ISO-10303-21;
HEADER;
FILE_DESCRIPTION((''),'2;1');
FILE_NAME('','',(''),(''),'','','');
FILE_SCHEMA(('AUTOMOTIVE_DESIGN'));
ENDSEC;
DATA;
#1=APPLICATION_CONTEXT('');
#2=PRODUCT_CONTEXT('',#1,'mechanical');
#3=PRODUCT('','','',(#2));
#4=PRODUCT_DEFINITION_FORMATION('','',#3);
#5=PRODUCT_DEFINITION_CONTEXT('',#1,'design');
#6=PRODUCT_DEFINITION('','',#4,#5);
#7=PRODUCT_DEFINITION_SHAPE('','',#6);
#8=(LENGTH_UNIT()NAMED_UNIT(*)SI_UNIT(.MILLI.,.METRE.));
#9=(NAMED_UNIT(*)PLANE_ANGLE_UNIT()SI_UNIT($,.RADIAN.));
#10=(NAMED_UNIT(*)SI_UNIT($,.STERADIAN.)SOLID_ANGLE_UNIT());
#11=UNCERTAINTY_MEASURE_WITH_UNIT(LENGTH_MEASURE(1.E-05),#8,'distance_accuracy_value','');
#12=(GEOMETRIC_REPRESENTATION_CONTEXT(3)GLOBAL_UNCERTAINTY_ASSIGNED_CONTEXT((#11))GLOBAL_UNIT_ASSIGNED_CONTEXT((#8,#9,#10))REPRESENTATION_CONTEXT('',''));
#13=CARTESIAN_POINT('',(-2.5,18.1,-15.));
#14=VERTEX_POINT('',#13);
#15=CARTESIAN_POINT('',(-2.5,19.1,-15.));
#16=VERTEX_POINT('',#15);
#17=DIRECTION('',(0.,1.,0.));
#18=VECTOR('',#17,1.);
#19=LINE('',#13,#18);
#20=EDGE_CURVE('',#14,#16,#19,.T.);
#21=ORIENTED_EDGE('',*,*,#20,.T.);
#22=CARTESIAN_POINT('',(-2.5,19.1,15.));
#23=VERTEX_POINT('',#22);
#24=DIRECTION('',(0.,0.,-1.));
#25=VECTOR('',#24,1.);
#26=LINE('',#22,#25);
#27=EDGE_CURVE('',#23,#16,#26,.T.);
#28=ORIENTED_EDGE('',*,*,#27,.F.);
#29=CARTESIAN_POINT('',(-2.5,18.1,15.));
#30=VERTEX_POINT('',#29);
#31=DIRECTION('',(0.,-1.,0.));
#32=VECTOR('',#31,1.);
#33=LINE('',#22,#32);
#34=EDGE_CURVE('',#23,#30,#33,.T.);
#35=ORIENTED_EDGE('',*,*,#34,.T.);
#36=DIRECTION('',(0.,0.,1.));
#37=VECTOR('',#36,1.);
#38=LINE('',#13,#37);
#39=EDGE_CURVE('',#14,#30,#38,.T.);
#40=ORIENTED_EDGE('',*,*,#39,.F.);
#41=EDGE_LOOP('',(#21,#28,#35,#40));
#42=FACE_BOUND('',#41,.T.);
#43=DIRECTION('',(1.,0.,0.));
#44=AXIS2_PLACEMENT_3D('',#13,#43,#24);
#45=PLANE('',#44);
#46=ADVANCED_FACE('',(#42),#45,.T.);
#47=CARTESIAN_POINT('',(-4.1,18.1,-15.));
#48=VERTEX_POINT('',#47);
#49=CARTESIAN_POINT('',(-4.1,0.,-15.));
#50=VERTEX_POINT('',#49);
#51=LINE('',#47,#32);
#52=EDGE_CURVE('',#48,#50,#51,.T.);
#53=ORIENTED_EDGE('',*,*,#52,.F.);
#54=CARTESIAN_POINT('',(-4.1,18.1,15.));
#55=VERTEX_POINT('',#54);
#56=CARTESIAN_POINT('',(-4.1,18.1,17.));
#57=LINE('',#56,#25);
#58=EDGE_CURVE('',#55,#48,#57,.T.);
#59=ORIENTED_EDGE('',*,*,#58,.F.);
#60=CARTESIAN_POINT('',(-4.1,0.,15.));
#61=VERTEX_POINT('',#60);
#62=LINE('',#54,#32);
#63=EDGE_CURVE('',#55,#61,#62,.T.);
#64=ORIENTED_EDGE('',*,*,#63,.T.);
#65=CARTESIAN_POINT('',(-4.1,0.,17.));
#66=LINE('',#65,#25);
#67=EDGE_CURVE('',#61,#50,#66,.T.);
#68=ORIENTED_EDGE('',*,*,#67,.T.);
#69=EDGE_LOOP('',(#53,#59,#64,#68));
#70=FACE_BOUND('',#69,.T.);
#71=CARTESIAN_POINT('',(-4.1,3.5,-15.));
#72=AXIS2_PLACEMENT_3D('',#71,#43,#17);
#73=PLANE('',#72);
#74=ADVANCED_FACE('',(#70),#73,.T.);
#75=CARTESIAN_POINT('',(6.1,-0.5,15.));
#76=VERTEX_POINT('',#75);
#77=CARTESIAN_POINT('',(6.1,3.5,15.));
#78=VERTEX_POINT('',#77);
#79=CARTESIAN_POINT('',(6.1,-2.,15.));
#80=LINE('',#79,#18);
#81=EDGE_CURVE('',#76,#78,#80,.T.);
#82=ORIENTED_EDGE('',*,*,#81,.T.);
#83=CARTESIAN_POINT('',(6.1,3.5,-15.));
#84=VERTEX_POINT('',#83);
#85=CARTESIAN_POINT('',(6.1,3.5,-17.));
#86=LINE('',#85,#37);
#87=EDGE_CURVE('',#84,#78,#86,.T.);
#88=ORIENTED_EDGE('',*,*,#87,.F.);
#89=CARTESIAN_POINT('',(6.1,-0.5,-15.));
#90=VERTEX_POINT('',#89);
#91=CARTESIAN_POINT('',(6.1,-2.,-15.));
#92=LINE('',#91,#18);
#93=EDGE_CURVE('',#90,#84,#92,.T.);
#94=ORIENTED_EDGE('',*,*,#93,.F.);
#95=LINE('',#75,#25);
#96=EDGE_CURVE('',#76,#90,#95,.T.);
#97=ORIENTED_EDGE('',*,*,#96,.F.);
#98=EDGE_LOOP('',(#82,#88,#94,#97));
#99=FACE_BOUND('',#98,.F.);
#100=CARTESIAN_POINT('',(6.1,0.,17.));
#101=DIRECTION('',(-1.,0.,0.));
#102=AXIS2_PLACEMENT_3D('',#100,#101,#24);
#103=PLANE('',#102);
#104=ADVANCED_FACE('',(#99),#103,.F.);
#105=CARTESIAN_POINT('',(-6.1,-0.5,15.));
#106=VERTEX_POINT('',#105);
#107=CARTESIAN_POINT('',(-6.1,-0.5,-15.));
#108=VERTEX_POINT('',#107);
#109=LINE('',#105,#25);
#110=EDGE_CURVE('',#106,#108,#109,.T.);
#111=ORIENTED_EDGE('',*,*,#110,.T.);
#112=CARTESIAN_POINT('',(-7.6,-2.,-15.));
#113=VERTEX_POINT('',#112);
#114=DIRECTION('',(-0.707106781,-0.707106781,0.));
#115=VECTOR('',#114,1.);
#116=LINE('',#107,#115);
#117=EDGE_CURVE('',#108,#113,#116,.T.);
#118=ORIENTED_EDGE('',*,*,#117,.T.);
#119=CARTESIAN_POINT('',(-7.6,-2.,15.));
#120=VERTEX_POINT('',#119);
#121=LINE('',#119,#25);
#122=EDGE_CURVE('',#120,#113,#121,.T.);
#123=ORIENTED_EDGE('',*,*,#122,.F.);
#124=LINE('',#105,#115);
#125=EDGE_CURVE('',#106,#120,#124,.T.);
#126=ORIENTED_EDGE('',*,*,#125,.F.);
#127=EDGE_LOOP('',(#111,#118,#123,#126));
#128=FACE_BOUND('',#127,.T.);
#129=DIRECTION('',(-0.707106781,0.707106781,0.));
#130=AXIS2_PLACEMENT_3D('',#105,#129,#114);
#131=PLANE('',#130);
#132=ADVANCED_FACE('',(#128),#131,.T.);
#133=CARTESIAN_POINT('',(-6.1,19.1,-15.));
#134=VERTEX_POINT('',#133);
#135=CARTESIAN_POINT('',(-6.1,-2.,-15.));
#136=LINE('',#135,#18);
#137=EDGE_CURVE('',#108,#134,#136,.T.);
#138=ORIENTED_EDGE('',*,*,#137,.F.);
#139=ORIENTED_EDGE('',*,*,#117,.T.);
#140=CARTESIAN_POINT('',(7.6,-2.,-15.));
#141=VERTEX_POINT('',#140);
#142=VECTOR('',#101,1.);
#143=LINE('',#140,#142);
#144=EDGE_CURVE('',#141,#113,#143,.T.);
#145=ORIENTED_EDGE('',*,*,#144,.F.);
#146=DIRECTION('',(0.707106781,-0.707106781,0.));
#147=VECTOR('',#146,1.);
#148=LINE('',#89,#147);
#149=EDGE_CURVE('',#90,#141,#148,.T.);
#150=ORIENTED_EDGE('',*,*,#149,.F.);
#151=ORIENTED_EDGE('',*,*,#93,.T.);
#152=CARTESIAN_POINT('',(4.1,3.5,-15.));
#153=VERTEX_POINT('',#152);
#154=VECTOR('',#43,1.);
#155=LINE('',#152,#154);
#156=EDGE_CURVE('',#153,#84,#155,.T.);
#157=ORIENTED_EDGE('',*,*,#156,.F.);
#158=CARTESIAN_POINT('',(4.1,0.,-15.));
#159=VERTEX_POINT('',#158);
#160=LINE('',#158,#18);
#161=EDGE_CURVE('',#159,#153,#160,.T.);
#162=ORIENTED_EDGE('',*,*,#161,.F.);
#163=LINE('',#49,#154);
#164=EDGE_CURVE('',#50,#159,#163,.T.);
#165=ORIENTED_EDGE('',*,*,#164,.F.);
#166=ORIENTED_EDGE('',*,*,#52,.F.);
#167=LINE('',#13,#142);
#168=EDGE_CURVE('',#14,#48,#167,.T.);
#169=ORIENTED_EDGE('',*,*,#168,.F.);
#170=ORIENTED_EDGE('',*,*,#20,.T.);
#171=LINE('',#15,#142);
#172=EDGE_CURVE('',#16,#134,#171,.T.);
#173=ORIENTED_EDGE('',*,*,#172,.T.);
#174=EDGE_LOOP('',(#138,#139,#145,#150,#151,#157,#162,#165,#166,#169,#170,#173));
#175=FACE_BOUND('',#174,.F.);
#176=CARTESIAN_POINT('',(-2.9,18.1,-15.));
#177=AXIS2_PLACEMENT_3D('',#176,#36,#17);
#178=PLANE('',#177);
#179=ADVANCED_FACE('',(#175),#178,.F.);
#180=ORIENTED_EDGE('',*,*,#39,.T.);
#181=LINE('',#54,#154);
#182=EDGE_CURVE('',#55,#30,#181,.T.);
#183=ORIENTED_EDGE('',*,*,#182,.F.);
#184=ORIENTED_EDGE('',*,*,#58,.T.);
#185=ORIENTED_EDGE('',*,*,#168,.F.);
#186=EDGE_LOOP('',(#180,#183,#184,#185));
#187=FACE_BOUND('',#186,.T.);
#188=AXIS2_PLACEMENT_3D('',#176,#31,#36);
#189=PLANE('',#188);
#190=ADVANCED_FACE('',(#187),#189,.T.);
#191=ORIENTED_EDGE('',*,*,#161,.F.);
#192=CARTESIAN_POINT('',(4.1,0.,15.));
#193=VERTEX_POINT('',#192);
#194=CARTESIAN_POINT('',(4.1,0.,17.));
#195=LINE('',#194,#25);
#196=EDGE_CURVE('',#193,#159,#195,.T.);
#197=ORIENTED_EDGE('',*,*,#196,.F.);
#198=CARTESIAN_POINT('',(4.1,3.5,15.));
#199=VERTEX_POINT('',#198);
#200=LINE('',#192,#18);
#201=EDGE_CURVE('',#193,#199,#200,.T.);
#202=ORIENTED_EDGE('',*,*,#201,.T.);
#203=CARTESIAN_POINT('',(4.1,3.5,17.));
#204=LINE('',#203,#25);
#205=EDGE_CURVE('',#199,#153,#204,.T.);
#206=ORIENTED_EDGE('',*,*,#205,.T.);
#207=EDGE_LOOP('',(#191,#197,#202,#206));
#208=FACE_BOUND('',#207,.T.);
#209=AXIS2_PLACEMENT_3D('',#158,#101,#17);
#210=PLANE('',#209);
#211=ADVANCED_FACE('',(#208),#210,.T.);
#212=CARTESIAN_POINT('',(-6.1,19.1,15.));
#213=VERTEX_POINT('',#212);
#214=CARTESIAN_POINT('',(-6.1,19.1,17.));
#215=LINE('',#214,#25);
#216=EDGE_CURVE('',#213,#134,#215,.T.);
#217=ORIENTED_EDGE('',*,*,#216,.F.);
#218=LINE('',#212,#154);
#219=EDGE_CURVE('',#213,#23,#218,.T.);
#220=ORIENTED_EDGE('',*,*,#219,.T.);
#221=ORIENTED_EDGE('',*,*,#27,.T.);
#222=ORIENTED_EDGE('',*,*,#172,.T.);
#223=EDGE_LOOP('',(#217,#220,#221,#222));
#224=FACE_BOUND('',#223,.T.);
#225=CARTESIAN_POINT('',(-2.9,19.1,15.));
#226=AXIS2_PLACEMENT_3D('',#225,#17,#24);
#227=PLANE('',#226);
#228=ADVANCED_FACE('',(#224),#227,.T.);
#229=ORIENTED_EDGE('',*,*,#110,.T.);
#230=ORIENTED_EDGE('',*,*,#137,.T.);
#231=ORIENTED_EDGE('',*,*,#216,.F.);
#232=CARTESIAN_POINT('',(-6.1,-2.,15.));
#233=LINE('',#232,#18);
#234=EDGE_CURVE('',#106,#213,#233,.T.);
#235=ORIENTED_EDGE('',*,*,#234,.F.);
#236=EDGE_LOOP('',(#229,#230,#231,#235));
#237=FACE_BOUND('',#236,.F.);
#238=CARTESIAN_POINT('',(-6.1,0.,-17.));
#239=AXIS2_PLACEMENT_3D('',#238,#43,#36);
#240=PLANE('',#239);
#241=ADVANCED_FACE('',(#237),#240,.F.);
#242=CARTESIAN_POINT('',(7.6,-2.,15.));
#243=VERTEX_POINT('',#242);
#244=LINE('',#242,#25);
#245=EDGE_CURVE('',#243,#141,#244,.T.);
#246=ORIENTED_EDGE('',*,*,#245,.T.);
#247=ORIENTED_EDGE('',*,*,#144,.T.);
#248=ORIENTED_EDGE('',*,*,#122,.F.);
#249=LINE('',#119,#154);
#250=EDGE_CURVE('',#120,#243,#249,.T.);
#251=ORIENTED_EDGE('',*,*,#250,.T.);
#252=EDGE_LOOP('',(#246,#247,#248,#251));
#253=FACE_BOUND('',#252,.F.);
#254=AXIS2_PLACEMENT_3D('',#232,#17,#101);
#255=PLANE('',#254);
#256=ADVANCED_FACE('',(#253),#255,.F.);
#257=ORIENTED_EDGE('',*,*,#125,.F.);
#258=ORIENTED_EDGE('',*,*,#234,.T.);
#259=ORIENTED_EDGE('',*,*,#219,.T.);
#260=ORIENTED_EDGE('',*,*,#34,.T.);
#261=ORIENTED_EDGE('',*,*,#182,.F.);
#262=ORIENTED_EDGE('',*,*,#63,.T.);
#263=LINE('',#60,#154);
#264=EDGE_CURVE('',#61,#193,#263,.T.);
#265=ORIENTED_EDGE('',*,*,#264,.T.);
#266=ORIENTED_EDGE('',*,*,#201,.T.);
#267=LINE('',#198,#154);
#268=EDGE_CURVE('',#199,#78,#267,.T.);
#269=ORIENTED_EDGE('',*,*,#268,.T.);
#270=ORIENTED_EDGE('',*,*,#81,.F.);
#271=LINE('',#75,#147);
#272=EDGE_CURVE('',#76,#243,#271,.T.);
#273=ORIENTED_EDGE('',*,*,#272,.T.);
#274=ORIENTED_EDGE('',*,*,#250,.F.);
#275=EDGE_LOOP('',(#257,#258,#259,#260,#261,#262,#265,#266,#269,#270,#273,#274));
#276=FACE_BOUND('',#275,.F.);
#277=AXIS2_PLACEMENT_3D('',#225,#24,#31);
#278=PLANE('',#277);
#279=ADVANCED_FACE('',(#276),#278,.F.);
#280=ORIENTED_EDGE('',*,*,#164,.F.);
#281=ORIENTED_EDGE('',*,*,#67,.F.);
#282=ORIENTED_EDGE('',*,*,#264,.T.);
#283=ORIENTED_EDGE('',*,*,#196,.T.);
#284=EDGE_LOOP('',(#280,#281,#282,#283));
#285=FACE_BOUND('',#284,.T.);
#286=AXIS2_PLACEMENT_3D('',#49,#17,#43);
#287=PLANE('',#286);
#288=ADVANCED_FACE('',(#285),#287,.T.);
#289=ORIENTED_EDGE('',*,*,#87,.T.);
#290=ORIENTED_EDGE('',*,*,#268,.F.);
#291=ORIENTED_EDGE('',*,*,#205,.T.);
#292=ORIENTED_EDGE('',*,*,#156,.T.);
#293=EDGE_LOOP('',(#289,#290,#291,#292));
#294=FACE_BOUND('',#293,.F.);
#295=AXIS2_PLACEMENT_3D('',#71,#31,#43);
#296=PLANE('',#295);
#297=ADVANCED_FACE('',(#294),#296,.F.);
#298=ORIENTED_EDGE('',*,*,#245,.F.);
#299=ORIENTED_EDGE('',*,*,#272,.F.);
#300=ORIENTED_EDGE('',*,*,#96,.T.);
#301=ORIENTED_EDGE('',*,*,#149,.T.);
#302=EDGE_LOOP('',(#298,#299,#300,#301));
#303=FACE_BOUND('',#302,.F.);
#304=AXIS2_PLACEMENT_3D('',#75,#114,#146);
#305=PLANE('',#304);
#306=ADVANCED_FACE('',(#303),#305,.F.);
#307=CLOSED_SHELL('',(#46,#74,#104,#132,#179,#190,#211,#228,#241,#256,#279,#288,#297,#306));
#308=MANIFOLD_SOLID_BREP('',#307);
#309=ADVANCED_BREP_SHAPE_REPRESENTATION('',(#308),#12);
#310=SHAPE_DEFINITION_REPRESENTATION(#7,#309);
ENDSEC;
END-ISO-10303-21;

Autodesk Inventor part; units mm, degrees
ref_plane "YZ Plane" through (0, 0, 0) normal (1, 0, 0) x (0, 1, 0)
ref_plane "XZ Plane" through (0, 0, 0) normal (0, 1, 0) x (-1, 0, 0)
ref_plane "XY Plane" through (0, 0, 0) normal (0, 0, 1) x (1, 0, 0)
sketch "Skizze1" plane through (0, 0, 0) normal (0, 1, 0) x (-1, 0, 0)
  line L0 (4.1, 15) -> (-4.1, 15)
  line L1 (-4.1, 15) -> (-4.1, -15)
  line L2 (-4.1, -15) -> (4.1, -15)
  line L3 (4.1, -15) -> (4.1, 15)
  line L4 (4.1, 15) -> (-4.1, -15) construction
  line L5 (-4.1, 15) -> (4.1, -15) construction
  line L6 (6.1, 17) -> (-6.1, 17)
  line L7 (-6.1, 17) -> (-6.1, -17)
  line L8 (-6.1, -17) -> (6.1, -17)
  line L9 (6.1, -17) -> (6.1, 17)
  line L10 (6.1, 17) -> (-6.1, -17) construction
  line L11 (-6.1, 17) -> (6.1, -17) construction
  point P0 (0, 0)
  dimension "d0" = 8.2
  dimension "d1" = 30
  dimension "d2" = 12.2
  dimension "d3" = 34
extrude "Extrusion1" add sketch "Skizze1" along normal blind 18.1
sketch "Skizze2" plane through (0, 0, 0) normal (0, -1, 0) x (1, 0, 0)
  line L0 (6.1, 17) -> (6.1, -17) projected
  line L1 (-6.1, 17) -> (6.1, 17) projected
  line L2 (-6.1, -17) -> (-6.1, 17) projected
  line L3 (6.1, -17) -> (-6.1, -17) projected
  line L4 (-4.1, 15) -> (-4.1, -15) projected
  line L5 (4.1, 15) -> (-4.1, 15) projected
  line L6 (4.1, -15) -> (4.1, 15) projected
  line L7 (-4.1, -15) -> (4.1, -15) projected
  point P0 (0, 0)
extrude "Extrusion2" add sketch "Skizze2" along normal blind 2 contours L0 L3 L2 L1 | L5 L6 L7 L4
sketch "Skizze3" plane through (6.1, 18.1, 17) normal (1, 0, 0) x (0, 0, -1)
  line L0 (2, -18.1) -> (32, -18.1) projected
  line L1 (32, -18.1) -> (32, 0) projected
  line L2 (2, 0) -> (32, 0) projected
  line L3 (2, -18.1) -> (2, 0) projected
  line L4 (32, -18.1) -> (32, 0) projected
  line L5 (2, -18.1) -> (32, -18.1)
  line L6 (32, -18.1) -> (32, -14.6)
  line L7 (32, -14.6) -> (2, -14.6)
  line L8 (2, -14.6) -> (2, -18.1)
  point P0 (17, -18.1)
  point P1 (2, -14.6)
  dimension "d8" = 3.5
extrude "Extrusion3" cut sketch "Skizze3" against normal up to surface (2 mm away) contours L3 L2 L1 L7
sketch "Skizze4" plane through (0, 18.1, 0) normal (0, 1, 0) x (1, 0, 0)
  line L0 (-4.1, -15) -> (-4.1, 15) projected
  line L1 (4.1, -15) -> (-4.1, -15) projected
  line L2 (-4.1, 15) -> (-3.5, 15)
  line L3 (-3.5, 15) -> (-3.5, -15)
  line L4 (-3.5, -15) -> (-4.1, -15)
  line L5 (-4.1, -15) -> (-4.1, 15)
  line L6 (-3.5, 15) -> (-2.9, 15)
  line L7 (-2.9, 15) -> (-2.9, -15)
  line L8 (-2.9, -15) -> (-3.5, -15)
  line L9 (-3.5, -15) -> (-3.5, 15)
  line L10 (-6.1, 17) -> (6.1, 17) projected
  line L11 (-6.1, -17) -> (6.1, -17) projected
  line L12 (-6.1, 17) -> (-2.9, 17)
  line L13 (-2.9, 17) -> (-2.9, -17)
  line L14 (-2.9, -17) -> (-6.1, -17)
  line L15 (-6.1, -17) -> (-6.1, 17)
  point P0 (0, 0)
  dimension "d11" = 0.6
  dimension "d12" = 0.6
extrude "Extrusion4" add sketch "Skizze4" along normal blind 1
sketch "Skizze6" plane through (-4.1, 0, -15) normal (0, 0, 1) x (1, 0, 0)
  line L0 (10.2, -2) -> (10.2, 18.1) projected
  line L1 (0, 0) -> (0, 18.1) projected
  line L2 (10.2, 18.1) -> (0, 18.1)
  line L3 (0, 18.1) -> (0, 3.5)
  line L4 (0, 3.5) -> (10.2, 3.5)
  line L5 (10.2, 3.5) -> (10.2, 18.1)
  point P0 (4.1, 0)
  dimension "d30" = 14.6
extrude "Extrusion6" cut sketch "Skizze6" against normal through all
mirror "Spiegeln1" about plane through (0, 0, 0) normal (0, 0, 1) of "Extrusion6"
sketch "Skizze7" plane through (-4.1, 0, -15) normal (0, 0, 1) x (1, 0, 0)
  line L0 (8.2, 3.5) -> (0, 3.5) projected
  line L1 (0, 0) -> (0, 3.5) projected
  line L2 (0, 0) -> (8.2, 0) projected
  line L3 (8.2, 0) -> (8.2, 3.5) projected
  point P0 (4.1, 0)
extrude "Extrusion7" cut sketch "Skizze7" along normal through all both and the other way through all
sketch "Skizze8" plane through (6.1, -2, -17) normal (0, 0, -1) x (-1, 0, 0)
  line L0 (2, 2) -> (2, 5.5) projected
  line L1 (2, 5.5) -> (0, 5.5) projected
  line L2 (0, 0) -> (0, 5.5) projected
  line L3 (12.2, 0) -> (0, 0) projected
  line L4 (12.2, 0) -> (12.2, 21.1) projected
  line L5 (9, 21.1) -> (12.2, 21.1) projected
  line L6 (9, 20.1) -> (9, 21.1) projected
  line L7 (9, 20.1) -> (10.2, 20.1) projected
  line L8 (10.2, 20.1) -> (10.2, 2) projected
  line L9 (10.2, 2) -> (2, 2) projected
  point P0 (6.1, 2)
extrude "Extrusion8" cut sketch "Skizze8" against normal blind 2
mirror "Spiegeln2" about plane through (0, 0, 0) normal (0, 0, 1) of "Extrusion8"
sketch "Skizze10" plane through (-6.1, -2, 15) normal (0, 0, 1) x (1, 0, 0)
  line L0 (12.2, 0) -> (0, 0) projected
  line L1 (0, 0) -> (-1.5, 0)
  line L2 (-1.5, 0) -> (-1.5, 1.5)
  line L3 (-1.5, 1.5) -> (0, 1.5)
  line L4 (0, 1.5) -> (0, 0)
  line L5 (12.2, 0) -> (13.7, 0)
  line L6 (13.7, 0) -> (13.7, 1.5)
  line L7 (13.7, 1.5) -> (12.2, 1.5)
  line L8 (12.2, 1.5) -> (12.2, 0)
  line L9 (0, 1.5) -> (-1.5, 0)
  line L10 (12.2, 1.5) -> (13.7, 0)
  point P0 (6.1, 2)
  dimension "d44" = 1.5
  dimension "d45" = 1.5
  dimension "d46" = 1.5
  dimension "d47" = 1.5
extrude "Extrusion10" add sketch "Skizze10" against normal up to surface (30 mm away) contours L1 L9 L4 | L8 L10 L5
sketch "Skizze11" plane through (-2.9, 18.1, -15) normal (1, 0, 0) x (0, 0, -1)
  line L0 (-30, 1) -> (-30, 0) projected
  line L1 (0, 0) -> (-30, 0) projected
  line L2 (0, 0) -> (0, 1) projected
  line L3 (-30, 1) -> (0, 1) projected
  point P0 (-15, -18.1)
extrude "Extrusion11" add sketch "Skizze11" along normal blind 0.4
properties part number "WagoHolder"
